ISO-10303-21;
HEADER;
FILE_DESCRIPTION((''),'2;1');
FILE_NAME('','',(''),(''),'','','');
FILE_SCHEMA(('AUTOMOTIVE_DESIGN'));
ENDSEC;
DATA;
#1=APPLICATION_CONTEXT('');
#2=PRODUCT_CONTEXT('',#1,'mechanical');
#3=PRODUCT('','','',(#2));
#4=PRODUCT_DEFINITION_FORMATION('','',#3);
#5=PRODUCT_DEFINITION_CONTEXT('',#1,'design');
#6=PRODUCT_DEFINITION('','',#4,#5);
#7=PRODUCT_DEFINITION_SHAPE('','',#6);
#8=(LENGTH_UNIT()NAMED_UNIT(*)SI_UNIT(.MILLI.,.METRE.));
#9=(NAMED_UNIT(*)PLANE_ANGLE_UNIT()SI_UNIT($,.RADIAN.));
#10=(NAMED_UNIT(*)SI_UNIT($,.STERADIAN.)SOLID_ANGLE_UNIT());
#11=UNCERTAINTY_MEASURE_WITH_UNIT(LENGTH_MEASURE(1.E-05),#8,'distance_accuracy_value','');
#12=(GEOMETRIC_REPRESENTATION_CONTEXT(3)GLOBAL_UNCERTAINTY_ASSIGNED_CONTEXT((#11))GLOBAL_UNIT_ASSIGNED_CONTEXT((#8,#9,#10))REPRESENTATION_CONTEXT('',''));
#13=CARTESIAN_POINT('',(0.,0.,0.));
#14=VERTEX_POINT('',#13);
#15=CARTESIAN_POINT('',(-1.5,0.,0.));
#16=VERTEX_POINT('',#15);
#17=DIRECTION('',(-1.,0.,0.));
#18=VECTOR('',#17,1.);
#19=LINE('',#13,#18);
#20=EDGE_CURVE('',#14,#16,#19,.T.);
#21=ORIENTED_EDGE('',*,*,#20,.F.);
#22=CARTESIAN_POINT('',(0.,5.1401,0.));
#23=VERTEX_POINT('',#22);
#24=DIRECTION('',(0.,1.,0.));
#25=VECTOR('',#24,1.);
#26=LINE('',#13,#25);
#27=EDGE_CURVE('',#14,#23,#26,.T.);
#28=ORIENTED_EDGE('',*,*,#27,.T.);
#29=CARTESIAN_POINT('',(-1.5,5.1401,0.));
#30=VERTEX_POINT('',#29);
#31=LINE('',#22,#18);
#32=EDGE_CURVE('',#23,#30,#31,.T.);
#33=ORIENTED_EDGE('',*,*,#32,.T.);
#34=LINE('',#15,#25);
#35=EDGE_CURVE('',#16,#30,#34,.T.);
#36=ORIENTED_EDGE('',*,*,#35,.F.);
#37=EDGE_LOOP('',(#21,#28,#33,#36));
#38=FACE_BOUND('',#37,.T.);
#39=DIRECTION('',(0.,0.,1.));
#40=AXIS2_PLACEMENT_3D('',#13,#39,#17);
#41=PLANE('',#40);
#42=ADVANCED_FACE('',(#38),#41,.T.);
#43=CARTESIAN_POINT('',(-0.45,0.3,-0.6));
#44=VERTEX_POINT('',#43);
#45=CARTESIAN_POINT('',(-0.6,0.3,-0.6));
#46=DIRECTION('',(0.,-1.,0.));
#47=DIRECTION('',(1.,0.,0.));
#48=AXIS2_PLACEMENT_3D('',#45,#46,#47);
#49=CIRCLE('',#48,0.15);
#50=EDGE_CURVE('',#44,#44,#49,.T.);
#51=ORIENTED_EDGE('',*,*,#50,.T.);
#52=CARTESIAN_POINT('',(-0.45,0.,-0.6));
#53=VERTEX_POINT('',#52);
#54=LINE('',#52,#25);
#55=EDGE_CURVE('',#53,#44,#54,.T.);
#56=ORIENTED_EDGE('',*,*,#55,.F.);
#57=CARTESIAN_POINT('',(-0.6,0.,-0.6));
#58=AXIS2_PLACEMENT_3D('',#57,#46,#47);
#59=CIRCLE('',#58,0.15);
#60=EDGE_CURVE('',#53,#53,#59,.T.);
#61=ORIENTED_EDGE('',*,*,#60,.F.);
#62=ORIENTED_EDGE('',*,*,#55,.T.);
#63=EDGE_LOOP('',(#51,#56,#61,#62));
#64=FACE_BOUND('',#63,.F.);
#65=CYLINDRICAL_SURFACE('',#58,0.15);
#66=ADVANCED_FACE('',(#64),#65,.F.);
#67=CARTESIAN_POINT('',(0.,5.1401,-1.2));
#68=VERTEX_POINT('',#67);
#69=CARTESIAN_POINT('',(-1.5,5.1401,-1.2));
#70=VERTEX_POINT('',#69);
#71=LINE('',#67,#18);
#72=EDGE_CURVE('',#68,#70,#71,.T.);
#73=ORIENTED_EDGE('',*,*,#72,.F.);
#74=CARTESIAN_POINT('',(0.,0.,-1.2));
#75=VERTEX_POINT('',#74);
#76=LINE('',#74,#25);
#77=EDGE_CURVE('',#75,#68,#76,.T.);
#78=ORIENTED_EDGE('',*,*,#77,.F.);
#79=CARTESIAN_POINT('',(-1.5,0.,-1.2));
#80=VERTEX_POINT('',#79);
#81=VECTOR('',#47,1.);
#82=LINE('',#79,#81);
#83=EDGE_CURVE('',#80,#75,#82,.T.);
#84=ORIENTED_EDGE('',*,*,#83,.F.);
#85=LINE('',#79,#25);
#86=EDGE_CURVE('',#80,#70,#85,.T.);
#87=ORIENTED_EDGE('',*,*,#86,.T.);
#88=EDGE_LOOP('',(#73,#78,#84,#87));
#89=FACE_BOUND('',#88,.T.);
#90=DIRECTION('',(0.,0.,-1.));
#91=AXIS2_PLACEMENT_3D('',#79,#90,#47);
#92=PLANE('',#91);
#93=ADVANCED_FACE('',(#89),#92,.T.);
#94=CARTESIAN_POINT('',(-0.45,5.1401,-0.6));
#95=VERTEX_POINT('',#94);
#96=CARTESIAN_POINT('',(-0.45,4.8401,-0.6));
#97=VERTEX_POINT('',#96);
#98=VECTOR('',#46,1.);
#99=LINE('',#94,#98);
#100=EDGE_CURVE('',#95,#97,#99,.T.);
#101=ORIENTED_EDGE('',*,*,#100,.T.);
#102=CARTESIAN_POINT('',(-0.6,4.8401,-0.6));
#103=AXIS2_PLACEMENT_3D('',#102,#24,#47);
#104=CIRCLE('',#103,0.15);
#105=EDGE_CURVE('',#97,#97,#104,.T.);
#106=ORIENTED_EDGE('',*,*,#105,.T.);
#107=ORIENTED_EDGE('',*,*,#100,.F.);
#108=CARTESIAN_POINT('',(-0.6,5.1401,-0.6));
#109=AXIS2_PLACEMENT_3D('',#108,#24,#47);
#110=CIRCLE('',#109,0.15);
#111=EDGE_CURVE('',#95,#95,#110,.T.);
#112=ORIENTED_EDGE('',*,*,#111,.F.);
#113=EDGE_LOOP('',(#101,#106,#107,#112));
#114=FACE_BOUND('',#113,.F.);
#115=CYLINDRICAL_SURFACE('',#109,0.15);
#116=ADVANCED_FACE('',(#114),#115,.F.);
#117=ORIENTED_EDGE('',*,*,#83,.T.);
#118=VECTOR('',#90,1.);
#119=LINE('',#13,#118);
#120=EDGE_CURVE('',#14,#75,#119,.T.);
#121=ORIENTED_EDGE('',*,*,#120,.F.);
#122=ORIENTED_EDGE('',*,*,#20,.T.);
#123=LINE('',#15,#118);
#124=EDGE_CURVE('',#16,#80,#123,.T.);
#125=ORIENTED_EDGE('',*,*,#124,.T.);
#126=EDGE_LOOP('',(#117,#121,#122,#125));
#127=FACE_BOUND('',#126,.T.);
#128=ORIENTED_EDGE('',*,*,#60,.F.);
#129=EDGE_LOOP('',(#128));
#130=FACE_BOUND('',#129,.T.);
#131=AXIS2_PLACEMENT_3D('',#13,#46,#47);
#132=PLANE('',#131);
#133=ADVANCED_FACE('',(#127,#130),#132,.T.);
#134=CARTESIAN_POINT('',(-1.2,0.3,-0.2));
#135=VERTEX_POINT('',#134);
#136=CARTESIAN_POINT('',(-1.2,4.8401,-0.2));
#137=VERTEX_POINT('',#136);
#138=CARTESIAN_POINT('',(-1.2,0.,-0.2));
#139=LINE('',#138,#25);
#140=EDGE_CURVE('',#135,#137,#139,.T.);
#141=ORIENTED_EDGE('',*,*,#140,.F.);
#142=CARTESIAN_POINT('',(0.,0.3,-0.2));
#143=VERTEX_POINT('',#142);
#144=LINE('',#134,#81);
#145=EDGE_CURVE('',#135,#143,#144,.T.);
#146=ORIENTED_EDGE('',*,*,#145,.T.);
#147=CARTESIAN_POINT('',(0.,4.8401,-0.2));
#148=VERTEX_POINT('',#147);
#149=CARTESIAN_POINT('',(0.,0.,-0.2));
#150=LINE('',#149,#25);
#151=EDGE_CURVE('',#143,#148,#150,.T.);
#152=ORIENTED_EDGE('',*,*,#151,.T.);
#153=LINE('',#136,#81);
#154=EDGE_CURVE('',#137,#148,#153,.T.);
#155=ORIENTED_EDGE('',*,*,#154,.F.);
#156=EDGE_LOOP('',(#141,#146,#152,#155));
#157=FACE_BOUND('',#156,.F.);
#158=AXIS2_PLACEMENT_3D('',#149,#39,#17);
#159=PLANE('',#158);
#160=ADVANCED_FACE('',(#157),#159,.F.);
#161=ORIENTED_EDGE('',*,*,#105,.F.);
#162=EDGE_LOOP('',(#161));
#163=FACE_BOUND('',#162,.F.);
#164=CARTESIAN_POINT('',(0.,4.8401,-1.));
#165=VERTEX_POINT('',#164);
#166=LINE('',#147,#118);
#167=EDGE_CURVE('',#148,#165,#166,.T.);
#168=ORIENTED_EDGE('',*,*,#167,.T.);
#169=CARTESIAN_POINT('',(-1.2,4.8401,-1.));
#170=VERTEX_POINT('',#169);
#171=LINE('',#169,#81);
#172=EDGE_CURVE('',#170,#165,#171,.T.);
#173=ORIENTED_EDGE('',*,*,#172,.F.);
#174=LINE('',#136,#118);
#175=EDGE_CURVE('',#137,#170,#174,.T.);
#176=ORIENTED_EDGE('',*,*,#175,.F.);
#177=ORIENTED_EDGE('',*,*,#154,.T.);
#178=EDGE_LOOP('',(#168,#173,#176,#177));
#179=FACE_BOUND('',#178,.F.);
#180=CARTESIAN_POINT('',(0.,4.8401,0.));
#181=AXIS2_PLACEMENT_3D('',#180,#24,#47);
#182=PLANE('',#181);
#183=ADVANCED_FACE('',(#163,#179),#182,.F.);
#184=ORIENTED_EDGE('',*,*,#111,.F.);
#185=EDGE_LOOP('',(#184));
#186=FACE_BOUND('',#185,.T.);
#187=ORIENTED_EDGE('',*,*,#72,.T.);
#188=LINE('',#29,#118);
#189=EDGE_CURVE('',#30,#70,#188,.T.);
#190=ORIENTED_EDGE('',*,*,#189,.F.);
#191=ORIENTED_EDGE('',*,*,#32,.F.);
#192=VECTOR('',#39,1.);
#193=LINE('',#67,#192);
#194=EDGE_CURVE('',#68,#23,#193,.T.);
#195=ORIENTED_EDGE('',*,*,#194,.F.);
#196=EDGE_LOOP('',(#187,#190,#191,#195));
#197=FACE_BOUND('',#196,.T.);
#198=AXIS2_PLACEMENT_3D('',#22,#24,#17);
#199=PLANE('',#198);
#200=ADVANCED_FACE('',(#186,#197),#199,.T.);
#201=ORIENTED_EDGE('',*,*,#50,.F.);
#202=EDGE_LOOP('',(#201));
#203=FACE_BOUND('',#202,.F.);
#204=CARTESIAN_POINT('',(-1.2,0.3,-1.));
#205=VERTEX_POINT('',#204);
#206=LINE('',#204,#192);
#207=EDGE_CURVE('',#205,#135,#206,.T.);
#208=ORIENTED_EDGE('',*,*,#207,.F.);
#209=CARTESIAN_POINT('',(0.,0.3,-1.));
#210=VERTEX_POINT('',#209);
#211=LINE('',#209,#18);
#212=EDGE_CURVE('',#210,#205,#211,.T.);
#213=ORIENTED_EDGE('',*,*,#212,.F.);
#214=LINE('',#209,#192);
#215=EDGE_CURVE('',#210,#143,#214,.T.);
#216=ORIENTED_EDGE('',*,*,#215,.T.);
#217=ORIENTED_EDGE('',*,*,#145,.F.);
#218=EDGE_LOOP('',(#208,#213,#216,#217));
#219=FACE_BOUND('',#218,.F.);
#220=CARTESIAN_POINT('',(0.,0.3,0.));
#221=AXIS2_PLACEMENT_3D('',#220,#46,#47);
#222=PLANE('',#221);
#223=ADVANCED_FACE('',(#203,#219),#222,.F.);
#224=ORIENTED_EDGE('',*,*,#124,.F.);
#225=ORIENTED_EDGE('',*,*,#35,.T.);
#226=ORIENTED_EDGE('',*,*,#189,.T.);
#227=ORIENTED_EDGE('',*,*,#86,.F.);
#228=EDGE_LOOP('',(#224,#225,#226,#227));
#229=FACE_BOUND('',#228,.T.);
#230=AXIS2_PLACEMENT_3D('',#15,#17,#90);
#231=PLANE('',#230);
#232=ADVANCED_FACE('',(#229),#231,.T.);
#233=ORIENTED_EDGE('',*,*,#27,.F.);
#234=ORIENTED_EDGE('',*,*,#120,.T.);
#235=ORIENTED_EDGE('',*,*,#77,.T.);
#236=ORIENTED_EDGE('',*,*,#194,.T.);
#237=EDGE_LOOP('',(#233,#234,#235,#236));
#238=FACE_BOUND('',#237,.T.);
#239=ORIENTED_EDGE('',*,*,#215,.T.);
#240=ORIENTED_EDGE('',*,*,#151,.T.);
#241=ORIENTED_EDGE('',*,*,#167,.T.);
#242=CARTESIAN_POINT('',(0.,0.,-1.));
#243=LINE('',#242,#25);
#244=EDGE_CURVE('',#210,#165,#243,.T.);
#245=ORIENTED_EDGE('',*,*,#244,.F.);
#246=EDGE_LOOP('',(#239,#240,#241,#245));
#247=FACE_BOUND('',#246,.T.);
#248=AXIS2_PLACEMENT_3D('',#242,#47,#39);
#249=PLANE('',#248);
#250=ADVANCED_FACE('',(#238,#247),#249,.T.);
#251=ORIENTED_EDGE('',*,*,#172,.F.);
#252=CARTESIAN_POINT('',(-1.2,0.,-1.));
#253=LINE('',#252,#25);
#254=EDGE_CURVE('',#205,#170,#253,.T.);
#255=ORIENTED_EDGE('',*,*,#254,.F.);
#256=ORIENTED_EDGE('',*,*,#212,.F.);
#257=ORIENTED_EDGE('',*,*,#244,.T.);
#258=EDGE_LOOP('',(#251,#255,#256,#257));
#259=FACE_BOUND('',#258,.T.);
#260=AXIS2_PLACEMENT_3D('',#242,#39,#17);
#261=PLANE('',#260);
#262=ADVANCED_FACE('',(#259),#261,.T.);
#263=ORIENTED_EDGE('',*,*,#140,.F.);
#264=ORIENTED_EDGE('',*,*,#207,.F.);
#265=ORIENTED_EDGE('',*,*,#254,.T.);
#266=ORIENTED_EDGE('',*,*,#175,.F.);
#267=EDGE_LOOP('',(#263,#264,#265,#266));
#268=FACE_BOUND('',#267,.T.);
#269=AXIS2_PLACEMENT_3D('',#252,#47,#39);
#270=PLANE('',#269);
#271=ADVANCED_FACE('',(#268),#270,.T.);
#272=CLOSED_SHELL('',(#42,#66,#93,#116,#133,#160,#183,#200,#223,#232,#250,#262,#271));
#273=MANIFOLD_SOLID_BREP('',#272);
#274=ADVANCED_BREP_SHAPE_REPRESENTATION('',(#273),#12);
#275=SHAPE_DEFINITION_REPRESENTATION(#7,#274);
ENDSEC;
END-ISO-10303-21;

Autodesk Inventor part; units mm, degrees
ref_plane "YZ Plane" through (0, 0, 0) normal (1, 0, 0) x (0, 1, 0)
ref_plane "XZ Plane" through (0, 0, 0) normal (0, 1, 0) x (-1, 0, 0)
ref_plane "XY Plane" through (0, 0, 0) normal (0, 0, 1) x (1, 0, 0)
sketch "Boceto1" plane through (0, 0, 0) normal (0, 1, 0) x (-1, 0, 0)
  line L0 (0, 0) -> (0, -1.2)
  line L1 (0, -1.2) -> (1.2, -1.2)
  line L2 (1.2, -1) -> (1.2, -0.2)
  circle A0 centre (0.9, -0.6) radius 0.15
  circle A1 centre (0.3, -0.6) radius 0.15
  line L3 (0, 0) -> (1.5, 0)
  line L4 (1.5, 0) -> (1.5, -1.2)
  line L5 (1.5, -1.2) -> (0, -1.2)
  line L6 (0, 0) -> (0, -0.2)
  line L7 (0, -0.2) -> (1.2, -0.2)
  line L8 (0, -1.2) -> (0, -1)
  line L9 (0, -1) -> (1.2, -1)
  line L10 (0, 0) -> (0, -0.2)
  line L11 (0, -1) -> (0, -1.2)
  dimension "d0" = 1.2
  dimension "d1" = 1.2
  dimension "d3" = 0.3
  dimension "d4" = 0.3
  dimension "d5" = 1.5
  dimension "d6" = 1.2
  dimension "d7" = 0.2
  dimension "d8" = 0.2
extrude "Extrusión1" add sketch "Boceto1" along normal blind 5.1401 contours L3 L4 L5 L1 L0 L9 L2 L7
sketch "Boceto5" plane through (0, 5.1401, 0) normal (0, 1, 0) x (1, 0, 0)
  line L0 (0, 0.2) -> (0, 1)
  line L1 (-1.2, 1) -> (0, 1)
  line L2 (-1.2, 0.2) -> (0, 0.2)
  circle A0 centre (-0.6, 0.6) radius 0.15
  line L3 (0, 0.2) -> (-1.2, 0.2) projected
  line L4 (-1.2, 1) -> (0, 1) projected
  line L5 (-1.2, 0.2) -> (-1.2, 1) projected
  line L6 (0, 0) -> (0, 0.2) projected
  line L7 (0, 1) -> (0, 0.2)
extrude "Extrusión4" add sketch "Boceto5" against normal blind 0.3
sketch "Boceto6" plane through (0, 0, 0) normal (0, -1, 0) x (1, 0, 0)
  circle A0 centre (-0.6, -0.6) radius 0.15 projected
  line L0 (-1.2, -0.2) -> (0, -0.2) projected
  line L1 (-1.2, -1) -> (-1.2, -0.2) projected
  line L2 (0, -1) -> (-1.2, -1) projected
  line L3 (0, -1) -> (0, -0.2) projected
  point P0 (0, 0)
extrude "Extrusión5" add sketch "Boceto6" against normal blind 0.3
sketch "Boceto8" plane through (-1.5, 0, 0) normal (0, 0, 1) x (1, 0, 0)
  point P0 (1.5, 0)
properties part number "pilarSoporteLED"
